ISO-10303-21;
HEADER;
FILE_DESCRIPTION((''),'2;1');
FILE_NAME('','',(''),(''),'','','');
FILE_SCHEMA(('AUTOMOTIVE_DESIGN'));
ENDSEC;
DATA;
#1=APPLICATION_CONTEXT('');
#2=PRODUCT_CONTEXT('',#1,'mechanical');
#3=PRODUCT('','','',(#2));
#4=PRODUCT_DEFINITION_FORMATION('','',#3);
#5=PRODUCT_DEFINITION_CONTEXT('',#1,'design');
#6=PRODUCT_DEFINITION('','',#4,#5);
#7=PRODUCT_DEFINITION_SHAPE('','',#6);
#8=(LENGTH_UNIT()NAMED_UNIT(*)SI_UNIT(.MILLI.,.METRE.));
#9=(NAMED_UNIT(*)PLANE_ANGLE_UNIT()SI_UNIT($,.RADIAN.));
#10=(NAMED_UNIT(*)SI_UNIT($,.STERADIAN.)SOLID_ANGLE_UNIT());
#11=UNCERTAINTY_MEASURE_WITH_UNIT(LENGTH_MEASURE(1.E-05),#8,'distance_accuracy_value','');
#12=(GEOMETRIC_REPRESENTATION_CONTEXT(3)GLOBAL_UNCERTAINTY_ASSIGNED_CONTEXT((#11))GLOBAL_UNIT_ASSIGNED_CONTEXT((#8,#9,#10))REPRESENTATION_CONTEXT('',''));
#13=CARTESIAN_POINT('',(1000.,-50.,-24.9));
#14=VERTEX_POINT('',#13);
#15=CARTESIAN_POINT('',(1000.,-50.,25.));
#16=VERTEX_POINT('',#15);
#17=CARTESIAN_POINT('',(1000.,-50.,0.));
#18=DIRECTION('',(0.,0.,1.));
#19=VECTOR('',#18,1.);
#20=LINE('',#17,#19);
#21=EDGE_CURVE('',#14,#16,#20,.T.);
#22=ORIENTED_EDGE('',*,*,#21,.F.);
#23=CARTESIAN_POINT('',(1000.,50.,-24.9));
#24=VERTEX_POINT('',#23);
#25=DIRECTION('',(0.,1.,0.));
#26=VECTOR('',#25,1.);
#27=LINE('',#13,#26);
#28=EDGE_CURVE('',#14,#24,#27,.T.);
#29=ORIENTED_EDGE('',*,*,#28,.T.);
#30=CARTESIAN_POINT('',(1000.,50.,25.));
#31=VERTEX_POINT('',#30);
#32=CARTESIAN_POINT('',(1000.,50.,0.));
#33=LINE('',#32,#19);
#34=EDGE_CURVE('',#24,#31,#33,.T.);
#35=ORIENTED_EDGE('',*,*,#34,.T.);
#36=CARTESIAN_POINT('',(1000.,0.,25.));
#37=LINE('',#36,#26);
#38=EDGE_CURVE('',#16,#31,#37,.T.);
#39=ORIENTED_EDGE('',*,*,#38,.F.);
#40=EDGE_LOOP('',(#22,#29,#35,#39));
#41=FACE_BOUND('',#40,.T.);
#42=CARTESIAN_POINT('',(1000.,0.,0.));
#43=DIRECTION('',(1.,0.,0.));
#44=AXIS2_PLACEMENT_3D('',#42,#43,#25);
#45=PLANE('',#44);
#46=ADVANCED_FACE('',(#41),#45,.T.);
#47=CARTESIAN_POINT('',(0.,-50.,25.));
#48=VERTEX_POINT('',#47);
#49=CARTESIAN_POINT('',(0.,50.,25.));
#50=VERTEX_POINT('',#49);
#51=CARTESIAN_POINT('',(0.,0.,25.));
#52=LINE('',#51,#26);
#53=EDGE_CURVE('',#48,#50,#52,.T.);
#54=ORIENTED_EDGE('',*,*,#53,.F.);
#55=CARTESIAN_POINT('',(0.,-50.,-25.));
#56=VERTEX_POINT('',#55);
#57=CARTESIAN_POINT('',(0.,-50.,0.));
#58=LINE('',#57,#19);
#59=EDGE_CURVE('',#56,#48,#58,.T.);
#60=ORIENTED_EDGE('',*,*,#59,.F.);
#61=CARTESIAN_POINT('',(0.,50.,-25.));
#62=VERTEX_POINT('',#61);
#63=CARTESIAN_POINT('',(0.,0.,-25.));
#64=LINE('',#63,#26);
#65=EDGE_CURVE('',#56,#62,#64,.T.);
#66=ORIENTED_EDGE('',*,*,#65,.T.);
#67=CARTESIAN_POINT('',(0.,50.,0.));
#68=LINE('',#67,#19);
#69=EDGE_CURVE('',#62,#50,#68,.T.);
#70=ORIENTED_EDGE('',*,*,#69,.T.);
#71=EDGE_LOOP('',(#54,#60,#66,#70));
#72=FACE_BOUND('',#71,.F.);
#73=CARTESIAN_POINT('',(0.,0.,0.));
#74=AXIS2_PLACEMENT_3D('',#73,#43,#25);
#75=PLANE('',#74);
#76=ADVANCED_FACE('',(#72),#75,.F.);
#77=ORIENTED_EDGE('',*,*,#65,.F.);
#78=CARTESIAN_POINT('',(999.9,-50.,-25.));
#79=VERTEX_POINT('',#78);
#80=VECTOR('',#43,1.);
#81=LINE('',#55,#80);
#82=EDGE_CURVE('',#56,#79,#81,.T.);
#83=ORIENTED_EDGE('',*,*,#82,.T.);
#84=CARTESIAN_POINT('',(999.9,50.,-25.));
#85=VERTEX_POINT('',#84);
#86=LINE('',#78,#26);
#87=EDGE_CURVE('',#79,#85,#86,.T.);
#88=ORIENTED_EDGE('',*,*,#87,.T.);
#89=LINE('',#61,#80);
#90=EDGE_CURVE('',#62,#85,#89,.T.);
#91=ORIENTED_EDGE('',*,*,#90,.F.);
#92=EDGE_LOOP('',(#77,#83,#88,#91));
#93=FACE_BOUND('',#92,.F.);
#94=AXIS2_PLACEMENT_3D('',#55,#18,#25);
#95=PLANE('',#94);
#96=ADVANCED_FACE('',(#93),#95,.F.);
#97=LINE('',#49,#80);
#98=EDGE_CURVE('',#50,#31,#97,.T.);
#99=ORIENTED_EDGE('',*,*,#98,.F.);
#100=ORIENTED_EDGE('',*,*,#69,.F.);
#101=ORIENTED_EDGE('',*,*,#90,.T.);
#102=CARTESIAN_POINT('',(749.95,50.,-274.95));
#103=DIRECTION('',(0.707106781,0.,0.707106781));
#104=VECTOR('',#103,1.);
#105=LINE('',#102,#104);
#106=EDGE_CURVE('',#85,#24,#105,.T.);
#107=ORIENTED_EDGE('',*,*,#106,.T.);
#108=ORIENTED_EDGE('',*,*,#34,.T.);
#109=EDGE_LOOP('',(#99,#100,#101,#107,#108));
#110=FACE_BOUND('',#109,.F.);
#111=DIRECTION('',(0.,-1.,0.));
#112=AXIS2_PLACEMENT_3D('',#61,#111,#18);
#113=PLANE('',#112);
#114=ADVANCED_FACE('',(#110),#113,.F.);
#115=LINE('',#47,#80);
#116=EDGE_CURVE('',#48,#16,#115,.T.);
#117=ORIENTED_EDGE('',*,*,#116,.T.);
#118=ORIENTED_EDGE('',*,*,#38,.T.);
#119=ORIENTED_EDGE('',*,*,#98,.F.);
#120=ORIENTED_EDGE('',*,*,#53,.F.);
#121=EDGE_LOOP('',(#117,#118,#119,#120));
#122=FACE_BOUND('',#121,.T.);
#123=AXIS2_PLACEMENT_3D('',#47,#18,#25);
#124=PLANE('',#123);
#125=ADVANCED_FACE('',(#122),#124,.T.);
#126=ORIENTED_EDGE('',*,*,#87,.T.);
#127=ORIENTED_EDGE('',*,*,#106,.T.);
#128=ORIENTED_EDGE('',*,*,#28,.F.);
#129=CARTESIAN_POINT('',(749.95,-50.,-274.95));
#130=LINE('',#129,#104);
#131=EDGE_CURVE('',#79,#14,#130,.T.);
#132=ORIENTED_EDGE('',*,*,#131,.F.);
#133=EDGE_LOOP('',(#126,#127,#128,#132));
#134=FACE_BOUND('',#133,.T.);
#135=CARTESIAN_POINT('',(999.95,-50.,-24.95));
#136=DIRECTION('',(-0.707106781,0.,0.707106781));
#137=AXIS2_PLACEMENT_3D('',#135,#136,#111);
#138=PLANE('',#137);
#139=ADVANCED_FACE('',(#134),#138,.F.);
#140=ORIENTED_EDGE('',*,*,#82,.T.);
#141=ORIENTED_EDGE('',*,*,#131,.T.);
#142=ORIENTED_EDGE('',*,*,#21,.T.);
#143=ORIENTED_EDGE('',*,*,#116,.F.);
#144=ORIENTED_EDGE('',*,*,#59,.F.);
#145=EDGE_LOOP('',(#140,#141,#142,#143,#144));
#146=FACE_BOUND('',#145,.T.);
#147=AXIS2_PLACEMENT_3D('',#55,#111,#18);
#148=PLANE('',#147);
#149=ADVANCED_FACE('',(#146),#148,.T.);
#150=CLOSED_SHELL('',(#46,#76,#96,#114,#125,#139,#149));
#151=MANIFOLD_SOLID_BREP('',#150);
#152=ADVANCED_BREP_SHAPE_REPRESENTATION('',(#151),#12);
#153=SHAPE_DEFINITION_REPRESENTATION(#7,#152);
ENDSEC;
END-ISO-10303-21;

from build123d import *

# Parameters (mm, degrees)
F0_W     = 100
F0_H     = 50
F1_DEPTH = 1000
F2_SIZE  = 0.1


with BuildPart() as f1:
    # F0 (on Right) → F1 (new body)
    with BuildSketch(Plane.YZ):
        Rectangle(F0_W, F0_H)
    extrude(amount=F1_DEPTH)

    # F2
    f2_edges = [f1.edges().sort_by_distance(p)[0] for p in [
        (1000, 0, -25),
    ]]
    chamfer(f2_edges, length=F2_SIZE)


solid = f1.part
